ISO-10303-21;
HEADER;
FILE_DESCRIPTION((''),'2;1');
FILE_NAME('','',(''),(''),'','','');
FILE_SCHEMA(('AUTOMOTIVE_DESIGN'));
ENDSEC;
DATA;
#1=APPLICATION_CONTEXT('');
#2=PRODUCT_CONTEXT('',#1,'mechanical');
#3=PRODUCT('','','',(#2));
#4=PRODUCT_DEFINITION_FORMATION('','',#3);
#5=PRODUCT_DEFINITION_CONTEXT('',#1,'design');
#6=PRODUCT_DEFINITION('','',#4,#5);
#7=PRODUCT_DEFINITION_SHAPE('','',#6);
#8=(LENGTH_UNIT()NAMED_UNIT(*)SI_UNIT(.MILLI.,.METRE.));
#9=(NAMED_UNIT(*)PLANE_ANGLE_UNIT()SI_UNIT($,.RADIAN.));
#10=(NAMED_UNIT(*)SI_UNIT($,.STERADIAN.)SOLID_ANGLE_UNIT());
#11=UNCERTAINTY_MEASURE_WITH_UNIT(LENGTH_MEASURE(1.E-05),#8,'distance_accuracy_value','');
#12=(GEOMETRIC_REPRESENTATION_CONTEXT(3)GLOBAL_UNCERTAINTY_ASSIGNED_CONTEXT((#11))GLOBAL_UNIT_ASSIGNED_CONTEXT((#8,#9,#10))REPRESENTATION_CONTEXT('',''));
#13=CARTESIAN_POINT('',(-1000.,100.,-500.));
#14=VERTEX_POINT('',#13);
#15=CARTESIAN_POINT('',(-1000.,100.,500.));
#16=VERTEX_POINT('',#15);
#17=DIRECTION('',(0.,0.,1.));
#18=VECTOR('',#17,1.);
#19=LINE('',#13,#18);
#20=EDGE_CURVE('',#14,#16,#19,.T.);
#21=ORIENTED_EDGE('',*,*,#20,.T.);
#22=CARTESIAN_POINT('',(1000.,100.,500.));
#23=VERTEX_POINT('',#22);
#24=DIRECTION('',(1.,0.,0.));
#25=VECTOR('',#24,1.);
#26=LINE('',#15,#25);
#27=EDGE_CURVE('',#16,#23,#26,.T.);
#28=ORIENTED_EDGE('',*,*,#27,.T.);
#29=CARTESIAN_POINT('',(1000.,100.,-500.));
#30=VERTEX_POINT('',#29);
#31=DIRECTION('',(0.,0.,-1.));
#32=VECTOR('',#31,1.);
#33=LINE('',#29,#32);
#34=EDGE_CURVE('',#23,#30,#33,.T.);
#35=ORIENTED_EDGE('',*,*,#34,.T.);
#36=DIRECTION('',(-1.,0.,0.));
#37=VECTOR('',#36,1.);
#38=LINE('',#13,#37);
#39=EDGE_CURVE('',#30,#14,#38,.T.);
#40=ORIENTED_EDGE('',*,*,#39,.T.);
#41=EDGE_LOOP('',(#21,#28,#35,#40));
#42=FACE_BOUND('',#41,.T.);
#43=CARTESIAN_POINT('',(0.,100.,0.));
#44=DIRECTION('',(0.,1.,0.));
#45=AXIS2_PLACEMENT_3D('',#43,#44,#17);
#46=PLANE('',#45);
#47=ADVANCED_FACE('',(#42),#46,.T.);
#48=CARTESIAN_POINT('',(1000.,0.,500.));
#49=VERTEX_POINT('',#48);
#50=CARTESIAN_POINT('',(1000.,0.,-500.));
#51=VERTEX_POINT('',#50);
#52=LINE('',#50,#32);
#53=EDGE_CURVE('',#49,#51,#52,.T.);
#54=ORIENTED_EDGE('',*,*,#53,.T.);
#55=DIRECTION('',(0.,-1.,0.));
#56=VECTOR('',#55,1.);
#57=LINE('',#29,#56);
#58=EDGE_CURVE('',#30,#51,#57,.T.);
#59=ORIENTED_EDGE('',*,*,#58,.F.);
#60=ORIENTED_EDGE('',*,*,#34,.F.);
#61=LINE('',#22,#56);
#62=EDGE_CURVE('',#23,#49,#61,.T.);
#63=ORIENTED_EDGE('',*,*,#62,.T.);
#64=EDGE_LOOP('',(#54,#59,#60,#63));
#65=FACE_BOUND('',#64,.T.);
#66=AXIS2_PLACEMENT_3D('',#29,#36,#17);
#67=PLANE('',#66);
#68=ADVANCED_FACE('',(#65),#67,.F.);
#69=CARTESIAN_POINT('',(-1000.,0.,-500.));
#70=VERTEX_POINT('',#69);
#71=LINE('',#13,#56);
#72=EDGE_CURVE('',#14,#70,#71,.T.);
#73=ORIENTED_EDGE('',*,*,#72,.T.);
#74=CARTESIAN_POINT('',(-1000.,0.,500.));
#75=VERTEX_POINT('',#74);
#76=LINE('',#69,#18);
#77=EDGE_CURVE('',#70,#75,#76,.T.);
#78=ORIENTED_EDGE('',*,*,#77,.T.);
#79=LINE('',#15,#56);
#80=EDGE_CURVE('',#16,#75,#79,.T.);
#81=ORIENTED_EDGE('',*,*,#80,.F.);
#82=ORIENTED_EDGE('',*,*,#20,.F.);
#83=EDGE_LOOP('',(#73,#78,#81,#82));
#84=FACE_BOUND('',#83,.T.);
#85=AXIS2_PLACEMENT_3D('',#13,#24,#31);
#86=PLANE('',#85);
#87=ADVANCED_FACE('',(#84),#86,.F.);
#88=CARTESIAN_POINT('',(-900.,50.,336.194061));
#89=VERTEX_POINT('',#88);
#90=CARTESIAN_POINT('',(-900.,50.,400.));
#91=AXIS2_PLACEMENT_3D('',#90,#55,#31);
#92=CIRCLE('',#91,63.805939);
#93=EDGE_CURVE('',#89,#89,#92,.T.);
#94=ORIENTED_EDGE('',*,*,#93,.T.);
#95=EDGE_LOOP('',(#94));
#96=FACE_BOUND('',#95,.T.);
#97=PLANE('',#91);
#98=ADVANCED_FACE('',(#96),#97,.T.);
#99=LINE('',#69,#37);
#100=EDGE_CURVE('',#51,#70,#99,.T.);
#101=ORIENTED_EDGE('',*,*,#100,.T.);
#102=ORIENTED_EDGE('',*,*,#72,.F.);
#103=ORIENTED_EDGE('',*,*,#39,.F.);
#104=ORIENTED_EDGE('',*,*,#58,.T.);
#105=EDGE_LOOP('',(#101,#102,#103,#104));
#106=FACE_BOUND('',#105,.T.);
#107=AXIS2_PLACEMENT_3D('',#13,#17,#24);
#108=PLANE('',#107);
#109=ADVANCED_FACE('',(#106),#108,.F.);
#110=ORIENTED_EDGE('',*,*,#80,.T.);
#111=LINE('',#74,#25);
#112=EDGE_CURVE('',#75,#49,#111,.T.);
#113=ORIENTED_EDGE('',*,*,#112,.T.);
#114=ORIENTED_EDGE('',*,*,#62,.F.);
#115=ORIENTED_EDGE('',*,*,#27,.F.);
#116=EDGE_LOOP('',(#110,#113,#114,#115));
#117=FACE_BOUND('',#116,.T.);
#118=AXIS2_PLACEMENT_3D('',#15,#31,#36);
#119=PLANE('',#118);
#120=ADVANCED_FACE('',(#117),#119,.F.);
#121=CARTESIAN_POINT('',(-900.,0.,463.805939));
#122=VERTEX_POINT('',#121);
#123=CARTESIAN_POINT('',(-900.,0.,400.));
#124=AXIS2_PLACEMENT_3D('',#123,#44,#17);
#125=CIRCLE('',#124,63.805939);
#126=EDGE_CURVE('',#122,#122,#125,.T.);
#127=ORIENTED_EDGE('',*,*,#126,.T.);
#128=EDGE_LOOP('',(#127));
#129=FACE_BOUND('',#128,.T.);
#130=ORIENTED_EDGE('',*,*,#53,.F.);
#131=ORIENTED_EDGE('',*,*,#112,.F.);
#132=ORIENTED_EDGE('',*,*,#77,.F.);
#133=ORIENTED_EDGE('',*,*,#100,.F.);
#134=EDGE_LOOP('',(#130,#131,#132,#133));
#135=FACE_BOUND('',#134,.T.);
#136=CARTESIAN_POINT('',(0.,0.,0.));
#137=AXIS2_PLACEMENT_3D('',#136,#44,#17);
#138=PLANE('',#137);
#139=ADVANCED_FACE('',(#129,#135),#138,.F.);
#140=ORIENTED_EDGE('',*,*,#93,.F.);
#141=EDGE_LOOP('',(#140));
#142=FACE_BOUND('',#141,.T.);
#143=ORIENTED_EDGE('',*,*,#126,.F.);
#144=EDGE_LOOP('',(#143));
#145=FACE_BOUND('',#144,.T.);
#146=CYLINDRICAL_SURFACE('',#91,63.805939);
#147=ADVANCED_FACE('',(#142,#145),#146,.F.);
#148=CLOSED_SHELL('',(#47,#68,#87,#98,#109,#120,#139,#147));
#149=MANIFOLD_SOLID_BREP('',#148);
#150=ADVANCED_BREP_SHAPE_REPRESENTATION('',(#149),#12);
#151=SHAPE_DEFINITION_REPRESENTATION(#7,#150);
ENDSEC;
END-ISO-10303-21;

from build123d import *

# Parameters (mm, degrees)
SKETCH1_W           = 2000
SKETCH1_H           = 1000
BOSS_EXTRUDE1_DEPTH = 100
SKETCH2_R           = 63.805939075
CUT_EXTRUDE2_DEPTH  = 50


with BuildPart() as part:
    # Sketch1 → Boss-Extrude1 (new body)
    with BuildSketch(Plane(origin=(0, 0, 0), x_dir=(1, 0, 0), z_dir=(0, 1, 0))):
        Rectangle(SKETCH1_W, SKETCH1_H)
    extrude(amount=BOSS_EXTRUDE1_DEPTH)

    # Sketch2 → Cut-Extrude2 (cut, symmetric)
    with BuildSketch(Plane.XZ):
        with Locations(Location((-900, 400, 0), (0, 0, 270))):
            Circle(SKETCH2_R)
    extrude(amount=CUT_EXTRUDE2_DEPTH, both=True, mode=Mode.SUBTRACT)


solid = part.part
